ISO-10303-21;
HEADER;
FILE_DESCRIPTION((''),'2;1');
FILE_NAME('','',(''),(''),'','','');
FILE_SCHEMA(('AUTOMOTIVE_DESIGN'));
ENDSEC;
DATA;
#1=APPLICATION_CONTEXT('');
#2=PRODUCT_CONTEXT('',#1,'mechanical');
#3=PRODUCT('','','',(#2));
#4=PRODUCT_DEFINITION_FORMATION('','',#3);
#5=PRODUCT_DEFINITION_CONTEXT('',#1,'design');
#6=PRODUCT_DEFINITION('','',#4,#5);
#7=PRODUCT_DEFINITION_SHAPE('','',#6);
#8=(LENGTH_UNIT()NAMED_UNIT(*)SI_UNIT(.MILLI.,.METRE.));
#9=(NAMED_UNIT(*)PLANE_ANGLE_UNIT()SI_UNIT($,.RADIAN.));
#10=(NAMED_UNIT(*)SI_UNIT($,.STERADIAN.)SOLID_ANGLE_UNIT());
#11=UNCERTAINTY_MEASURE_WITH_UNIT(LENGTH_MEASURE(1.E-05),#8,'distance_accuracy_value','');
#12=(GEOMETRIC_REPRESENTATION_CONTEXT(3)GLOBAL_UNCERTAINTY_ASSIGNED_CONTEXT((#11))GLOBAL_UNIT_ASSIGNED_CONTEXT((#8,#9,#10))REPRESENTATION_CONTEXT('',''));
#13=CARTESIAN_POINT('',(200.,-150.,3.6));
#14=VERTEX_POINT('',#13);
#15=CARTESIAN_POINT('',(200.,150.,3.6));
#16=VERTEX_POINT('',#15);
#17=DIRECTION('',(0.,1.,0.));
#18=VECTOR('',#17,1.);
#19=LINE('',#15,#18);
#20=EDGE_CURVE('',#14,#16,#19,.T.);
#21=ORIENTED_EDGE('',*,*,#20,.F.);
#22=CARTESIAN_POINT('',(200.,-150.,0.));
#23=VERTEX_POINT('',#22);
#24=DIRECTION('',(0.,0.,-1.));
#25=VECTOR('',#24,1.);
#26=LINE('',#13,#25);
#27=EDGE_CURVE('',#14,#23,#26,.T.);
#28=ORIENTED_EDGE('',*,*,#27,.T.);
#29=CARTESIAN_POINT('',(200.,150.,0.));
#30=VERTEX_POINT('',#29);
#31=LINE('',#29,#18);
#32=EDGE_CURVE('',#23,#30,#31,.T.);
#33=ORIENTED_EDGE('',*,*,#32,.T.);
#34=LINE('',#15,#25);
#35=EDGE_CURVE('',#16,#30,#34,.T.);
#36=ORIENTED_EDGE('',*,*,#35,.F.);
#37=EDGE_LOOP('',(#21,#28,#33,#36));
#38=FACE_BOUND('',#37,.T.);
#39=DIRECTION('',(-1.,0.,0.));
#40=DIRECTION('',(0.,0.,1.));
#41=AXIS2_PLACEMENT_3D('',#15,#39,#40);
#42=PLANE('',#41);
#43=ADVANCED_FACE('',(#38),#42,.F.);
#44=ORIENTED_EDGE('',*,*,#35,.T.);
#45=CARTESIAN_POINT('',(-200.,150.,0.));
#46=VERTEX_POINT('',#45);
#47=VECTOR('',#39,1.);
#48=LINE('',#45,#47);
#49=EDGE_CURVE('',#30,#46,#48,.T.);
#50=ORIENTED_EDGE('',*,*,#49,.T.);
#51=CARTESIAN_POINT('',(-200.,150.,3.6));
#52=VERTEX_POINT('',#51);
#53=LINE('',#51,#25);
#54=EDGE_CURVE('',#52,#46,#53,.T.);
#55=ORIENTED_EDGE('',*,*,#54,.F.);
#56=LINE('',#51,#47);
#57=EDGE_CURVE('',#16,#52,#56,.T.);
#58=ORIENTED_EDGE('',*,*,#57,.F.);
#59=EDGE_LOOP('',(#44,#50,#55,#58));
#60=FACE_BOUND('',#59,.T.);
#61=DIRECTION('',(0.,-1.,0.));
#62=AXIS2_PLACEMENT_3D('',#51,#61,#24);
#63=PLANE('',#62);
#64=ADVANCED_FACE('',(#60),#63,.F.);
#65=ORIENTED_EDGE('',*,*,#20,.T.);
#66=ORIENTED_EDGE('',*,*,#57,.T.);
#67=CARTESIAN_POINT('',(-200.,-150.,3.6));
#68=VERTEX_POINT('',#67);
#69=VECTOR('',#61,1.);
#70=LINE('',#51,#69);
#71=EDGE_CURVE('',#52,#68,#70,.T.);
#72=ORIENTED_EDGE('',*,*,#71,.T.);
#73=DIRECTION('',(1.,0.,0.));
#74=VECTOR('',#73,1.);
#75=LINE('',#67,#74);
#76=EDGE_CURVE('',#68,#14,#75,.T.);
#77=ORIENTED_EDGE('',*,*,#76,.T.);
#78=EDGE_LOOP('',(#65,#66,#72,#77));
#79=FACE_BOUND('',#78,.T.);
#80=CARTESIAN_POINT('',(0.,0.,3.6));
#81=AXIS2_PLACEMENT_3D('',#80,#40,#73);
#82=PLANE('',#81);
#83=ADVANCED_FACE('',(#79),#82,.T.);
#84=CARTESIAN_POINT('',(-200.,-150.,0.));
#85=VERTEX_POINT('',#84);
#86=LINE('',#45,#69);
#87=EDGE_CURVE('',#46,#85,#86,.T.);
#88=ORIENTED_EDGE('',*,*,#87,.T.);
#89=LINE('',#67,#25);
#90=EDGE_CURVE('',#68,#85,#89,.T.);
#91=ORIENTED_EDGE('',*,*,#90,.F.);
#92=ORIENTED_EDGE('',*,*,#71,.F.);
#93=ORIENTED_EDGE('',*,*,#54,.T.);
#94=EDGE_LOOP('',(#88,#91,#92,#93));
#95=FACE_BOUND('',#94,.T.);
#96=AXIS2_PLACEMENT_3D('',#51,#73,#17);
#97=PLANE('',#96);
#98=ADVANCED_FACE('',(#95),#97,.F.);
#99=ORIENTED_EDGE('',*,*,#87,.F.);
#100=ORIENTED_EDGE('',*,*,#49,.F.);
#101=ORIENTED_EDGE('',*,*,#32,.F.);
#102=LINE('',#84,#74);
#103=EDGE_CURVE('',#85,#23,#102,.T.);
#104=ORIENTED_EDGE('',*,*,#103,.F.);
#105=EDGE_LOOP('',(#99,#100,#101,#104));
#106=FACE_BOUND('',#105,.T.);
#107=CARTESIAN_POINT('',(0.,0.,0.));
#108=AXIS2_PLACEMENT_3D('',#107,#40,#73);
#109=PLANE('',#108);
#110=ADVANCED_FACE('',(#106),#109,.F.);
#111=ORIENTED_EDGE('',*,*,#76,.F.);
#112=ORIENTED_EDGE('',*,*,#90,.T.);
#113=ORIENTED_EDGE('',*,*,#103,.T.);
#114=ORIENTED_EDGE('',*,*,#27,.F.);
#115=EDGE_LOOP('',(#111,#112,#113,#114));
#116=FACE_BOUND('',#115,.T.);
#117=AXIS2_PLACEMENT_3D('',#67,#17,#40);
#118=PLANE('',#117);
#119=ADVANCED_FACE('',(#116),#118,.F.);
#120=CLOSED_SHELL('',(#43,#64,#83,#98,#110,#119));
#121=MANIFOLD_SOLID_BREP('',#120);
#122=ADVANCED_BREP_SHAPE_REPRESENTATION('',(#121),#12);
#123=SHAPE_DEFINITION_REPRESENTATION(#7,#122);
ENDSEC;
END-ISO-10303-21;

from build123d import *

# Parameters (mm, degrees)
SKETCH_1_W      = 400
SKETCH_1_H      = 300
EXTRUDE_1_DEPTH = 3.6


with BuildPart() as part:
    # 草图1 → 凸台-拉伸1 (new body)
    with BuildSketch(Plane.XY):
        Rectangle(SKETCH_1_W, SKETCH_1_H)
    extrude(amount=EXTRUDE_1_DEPTH)


solid = part.part
